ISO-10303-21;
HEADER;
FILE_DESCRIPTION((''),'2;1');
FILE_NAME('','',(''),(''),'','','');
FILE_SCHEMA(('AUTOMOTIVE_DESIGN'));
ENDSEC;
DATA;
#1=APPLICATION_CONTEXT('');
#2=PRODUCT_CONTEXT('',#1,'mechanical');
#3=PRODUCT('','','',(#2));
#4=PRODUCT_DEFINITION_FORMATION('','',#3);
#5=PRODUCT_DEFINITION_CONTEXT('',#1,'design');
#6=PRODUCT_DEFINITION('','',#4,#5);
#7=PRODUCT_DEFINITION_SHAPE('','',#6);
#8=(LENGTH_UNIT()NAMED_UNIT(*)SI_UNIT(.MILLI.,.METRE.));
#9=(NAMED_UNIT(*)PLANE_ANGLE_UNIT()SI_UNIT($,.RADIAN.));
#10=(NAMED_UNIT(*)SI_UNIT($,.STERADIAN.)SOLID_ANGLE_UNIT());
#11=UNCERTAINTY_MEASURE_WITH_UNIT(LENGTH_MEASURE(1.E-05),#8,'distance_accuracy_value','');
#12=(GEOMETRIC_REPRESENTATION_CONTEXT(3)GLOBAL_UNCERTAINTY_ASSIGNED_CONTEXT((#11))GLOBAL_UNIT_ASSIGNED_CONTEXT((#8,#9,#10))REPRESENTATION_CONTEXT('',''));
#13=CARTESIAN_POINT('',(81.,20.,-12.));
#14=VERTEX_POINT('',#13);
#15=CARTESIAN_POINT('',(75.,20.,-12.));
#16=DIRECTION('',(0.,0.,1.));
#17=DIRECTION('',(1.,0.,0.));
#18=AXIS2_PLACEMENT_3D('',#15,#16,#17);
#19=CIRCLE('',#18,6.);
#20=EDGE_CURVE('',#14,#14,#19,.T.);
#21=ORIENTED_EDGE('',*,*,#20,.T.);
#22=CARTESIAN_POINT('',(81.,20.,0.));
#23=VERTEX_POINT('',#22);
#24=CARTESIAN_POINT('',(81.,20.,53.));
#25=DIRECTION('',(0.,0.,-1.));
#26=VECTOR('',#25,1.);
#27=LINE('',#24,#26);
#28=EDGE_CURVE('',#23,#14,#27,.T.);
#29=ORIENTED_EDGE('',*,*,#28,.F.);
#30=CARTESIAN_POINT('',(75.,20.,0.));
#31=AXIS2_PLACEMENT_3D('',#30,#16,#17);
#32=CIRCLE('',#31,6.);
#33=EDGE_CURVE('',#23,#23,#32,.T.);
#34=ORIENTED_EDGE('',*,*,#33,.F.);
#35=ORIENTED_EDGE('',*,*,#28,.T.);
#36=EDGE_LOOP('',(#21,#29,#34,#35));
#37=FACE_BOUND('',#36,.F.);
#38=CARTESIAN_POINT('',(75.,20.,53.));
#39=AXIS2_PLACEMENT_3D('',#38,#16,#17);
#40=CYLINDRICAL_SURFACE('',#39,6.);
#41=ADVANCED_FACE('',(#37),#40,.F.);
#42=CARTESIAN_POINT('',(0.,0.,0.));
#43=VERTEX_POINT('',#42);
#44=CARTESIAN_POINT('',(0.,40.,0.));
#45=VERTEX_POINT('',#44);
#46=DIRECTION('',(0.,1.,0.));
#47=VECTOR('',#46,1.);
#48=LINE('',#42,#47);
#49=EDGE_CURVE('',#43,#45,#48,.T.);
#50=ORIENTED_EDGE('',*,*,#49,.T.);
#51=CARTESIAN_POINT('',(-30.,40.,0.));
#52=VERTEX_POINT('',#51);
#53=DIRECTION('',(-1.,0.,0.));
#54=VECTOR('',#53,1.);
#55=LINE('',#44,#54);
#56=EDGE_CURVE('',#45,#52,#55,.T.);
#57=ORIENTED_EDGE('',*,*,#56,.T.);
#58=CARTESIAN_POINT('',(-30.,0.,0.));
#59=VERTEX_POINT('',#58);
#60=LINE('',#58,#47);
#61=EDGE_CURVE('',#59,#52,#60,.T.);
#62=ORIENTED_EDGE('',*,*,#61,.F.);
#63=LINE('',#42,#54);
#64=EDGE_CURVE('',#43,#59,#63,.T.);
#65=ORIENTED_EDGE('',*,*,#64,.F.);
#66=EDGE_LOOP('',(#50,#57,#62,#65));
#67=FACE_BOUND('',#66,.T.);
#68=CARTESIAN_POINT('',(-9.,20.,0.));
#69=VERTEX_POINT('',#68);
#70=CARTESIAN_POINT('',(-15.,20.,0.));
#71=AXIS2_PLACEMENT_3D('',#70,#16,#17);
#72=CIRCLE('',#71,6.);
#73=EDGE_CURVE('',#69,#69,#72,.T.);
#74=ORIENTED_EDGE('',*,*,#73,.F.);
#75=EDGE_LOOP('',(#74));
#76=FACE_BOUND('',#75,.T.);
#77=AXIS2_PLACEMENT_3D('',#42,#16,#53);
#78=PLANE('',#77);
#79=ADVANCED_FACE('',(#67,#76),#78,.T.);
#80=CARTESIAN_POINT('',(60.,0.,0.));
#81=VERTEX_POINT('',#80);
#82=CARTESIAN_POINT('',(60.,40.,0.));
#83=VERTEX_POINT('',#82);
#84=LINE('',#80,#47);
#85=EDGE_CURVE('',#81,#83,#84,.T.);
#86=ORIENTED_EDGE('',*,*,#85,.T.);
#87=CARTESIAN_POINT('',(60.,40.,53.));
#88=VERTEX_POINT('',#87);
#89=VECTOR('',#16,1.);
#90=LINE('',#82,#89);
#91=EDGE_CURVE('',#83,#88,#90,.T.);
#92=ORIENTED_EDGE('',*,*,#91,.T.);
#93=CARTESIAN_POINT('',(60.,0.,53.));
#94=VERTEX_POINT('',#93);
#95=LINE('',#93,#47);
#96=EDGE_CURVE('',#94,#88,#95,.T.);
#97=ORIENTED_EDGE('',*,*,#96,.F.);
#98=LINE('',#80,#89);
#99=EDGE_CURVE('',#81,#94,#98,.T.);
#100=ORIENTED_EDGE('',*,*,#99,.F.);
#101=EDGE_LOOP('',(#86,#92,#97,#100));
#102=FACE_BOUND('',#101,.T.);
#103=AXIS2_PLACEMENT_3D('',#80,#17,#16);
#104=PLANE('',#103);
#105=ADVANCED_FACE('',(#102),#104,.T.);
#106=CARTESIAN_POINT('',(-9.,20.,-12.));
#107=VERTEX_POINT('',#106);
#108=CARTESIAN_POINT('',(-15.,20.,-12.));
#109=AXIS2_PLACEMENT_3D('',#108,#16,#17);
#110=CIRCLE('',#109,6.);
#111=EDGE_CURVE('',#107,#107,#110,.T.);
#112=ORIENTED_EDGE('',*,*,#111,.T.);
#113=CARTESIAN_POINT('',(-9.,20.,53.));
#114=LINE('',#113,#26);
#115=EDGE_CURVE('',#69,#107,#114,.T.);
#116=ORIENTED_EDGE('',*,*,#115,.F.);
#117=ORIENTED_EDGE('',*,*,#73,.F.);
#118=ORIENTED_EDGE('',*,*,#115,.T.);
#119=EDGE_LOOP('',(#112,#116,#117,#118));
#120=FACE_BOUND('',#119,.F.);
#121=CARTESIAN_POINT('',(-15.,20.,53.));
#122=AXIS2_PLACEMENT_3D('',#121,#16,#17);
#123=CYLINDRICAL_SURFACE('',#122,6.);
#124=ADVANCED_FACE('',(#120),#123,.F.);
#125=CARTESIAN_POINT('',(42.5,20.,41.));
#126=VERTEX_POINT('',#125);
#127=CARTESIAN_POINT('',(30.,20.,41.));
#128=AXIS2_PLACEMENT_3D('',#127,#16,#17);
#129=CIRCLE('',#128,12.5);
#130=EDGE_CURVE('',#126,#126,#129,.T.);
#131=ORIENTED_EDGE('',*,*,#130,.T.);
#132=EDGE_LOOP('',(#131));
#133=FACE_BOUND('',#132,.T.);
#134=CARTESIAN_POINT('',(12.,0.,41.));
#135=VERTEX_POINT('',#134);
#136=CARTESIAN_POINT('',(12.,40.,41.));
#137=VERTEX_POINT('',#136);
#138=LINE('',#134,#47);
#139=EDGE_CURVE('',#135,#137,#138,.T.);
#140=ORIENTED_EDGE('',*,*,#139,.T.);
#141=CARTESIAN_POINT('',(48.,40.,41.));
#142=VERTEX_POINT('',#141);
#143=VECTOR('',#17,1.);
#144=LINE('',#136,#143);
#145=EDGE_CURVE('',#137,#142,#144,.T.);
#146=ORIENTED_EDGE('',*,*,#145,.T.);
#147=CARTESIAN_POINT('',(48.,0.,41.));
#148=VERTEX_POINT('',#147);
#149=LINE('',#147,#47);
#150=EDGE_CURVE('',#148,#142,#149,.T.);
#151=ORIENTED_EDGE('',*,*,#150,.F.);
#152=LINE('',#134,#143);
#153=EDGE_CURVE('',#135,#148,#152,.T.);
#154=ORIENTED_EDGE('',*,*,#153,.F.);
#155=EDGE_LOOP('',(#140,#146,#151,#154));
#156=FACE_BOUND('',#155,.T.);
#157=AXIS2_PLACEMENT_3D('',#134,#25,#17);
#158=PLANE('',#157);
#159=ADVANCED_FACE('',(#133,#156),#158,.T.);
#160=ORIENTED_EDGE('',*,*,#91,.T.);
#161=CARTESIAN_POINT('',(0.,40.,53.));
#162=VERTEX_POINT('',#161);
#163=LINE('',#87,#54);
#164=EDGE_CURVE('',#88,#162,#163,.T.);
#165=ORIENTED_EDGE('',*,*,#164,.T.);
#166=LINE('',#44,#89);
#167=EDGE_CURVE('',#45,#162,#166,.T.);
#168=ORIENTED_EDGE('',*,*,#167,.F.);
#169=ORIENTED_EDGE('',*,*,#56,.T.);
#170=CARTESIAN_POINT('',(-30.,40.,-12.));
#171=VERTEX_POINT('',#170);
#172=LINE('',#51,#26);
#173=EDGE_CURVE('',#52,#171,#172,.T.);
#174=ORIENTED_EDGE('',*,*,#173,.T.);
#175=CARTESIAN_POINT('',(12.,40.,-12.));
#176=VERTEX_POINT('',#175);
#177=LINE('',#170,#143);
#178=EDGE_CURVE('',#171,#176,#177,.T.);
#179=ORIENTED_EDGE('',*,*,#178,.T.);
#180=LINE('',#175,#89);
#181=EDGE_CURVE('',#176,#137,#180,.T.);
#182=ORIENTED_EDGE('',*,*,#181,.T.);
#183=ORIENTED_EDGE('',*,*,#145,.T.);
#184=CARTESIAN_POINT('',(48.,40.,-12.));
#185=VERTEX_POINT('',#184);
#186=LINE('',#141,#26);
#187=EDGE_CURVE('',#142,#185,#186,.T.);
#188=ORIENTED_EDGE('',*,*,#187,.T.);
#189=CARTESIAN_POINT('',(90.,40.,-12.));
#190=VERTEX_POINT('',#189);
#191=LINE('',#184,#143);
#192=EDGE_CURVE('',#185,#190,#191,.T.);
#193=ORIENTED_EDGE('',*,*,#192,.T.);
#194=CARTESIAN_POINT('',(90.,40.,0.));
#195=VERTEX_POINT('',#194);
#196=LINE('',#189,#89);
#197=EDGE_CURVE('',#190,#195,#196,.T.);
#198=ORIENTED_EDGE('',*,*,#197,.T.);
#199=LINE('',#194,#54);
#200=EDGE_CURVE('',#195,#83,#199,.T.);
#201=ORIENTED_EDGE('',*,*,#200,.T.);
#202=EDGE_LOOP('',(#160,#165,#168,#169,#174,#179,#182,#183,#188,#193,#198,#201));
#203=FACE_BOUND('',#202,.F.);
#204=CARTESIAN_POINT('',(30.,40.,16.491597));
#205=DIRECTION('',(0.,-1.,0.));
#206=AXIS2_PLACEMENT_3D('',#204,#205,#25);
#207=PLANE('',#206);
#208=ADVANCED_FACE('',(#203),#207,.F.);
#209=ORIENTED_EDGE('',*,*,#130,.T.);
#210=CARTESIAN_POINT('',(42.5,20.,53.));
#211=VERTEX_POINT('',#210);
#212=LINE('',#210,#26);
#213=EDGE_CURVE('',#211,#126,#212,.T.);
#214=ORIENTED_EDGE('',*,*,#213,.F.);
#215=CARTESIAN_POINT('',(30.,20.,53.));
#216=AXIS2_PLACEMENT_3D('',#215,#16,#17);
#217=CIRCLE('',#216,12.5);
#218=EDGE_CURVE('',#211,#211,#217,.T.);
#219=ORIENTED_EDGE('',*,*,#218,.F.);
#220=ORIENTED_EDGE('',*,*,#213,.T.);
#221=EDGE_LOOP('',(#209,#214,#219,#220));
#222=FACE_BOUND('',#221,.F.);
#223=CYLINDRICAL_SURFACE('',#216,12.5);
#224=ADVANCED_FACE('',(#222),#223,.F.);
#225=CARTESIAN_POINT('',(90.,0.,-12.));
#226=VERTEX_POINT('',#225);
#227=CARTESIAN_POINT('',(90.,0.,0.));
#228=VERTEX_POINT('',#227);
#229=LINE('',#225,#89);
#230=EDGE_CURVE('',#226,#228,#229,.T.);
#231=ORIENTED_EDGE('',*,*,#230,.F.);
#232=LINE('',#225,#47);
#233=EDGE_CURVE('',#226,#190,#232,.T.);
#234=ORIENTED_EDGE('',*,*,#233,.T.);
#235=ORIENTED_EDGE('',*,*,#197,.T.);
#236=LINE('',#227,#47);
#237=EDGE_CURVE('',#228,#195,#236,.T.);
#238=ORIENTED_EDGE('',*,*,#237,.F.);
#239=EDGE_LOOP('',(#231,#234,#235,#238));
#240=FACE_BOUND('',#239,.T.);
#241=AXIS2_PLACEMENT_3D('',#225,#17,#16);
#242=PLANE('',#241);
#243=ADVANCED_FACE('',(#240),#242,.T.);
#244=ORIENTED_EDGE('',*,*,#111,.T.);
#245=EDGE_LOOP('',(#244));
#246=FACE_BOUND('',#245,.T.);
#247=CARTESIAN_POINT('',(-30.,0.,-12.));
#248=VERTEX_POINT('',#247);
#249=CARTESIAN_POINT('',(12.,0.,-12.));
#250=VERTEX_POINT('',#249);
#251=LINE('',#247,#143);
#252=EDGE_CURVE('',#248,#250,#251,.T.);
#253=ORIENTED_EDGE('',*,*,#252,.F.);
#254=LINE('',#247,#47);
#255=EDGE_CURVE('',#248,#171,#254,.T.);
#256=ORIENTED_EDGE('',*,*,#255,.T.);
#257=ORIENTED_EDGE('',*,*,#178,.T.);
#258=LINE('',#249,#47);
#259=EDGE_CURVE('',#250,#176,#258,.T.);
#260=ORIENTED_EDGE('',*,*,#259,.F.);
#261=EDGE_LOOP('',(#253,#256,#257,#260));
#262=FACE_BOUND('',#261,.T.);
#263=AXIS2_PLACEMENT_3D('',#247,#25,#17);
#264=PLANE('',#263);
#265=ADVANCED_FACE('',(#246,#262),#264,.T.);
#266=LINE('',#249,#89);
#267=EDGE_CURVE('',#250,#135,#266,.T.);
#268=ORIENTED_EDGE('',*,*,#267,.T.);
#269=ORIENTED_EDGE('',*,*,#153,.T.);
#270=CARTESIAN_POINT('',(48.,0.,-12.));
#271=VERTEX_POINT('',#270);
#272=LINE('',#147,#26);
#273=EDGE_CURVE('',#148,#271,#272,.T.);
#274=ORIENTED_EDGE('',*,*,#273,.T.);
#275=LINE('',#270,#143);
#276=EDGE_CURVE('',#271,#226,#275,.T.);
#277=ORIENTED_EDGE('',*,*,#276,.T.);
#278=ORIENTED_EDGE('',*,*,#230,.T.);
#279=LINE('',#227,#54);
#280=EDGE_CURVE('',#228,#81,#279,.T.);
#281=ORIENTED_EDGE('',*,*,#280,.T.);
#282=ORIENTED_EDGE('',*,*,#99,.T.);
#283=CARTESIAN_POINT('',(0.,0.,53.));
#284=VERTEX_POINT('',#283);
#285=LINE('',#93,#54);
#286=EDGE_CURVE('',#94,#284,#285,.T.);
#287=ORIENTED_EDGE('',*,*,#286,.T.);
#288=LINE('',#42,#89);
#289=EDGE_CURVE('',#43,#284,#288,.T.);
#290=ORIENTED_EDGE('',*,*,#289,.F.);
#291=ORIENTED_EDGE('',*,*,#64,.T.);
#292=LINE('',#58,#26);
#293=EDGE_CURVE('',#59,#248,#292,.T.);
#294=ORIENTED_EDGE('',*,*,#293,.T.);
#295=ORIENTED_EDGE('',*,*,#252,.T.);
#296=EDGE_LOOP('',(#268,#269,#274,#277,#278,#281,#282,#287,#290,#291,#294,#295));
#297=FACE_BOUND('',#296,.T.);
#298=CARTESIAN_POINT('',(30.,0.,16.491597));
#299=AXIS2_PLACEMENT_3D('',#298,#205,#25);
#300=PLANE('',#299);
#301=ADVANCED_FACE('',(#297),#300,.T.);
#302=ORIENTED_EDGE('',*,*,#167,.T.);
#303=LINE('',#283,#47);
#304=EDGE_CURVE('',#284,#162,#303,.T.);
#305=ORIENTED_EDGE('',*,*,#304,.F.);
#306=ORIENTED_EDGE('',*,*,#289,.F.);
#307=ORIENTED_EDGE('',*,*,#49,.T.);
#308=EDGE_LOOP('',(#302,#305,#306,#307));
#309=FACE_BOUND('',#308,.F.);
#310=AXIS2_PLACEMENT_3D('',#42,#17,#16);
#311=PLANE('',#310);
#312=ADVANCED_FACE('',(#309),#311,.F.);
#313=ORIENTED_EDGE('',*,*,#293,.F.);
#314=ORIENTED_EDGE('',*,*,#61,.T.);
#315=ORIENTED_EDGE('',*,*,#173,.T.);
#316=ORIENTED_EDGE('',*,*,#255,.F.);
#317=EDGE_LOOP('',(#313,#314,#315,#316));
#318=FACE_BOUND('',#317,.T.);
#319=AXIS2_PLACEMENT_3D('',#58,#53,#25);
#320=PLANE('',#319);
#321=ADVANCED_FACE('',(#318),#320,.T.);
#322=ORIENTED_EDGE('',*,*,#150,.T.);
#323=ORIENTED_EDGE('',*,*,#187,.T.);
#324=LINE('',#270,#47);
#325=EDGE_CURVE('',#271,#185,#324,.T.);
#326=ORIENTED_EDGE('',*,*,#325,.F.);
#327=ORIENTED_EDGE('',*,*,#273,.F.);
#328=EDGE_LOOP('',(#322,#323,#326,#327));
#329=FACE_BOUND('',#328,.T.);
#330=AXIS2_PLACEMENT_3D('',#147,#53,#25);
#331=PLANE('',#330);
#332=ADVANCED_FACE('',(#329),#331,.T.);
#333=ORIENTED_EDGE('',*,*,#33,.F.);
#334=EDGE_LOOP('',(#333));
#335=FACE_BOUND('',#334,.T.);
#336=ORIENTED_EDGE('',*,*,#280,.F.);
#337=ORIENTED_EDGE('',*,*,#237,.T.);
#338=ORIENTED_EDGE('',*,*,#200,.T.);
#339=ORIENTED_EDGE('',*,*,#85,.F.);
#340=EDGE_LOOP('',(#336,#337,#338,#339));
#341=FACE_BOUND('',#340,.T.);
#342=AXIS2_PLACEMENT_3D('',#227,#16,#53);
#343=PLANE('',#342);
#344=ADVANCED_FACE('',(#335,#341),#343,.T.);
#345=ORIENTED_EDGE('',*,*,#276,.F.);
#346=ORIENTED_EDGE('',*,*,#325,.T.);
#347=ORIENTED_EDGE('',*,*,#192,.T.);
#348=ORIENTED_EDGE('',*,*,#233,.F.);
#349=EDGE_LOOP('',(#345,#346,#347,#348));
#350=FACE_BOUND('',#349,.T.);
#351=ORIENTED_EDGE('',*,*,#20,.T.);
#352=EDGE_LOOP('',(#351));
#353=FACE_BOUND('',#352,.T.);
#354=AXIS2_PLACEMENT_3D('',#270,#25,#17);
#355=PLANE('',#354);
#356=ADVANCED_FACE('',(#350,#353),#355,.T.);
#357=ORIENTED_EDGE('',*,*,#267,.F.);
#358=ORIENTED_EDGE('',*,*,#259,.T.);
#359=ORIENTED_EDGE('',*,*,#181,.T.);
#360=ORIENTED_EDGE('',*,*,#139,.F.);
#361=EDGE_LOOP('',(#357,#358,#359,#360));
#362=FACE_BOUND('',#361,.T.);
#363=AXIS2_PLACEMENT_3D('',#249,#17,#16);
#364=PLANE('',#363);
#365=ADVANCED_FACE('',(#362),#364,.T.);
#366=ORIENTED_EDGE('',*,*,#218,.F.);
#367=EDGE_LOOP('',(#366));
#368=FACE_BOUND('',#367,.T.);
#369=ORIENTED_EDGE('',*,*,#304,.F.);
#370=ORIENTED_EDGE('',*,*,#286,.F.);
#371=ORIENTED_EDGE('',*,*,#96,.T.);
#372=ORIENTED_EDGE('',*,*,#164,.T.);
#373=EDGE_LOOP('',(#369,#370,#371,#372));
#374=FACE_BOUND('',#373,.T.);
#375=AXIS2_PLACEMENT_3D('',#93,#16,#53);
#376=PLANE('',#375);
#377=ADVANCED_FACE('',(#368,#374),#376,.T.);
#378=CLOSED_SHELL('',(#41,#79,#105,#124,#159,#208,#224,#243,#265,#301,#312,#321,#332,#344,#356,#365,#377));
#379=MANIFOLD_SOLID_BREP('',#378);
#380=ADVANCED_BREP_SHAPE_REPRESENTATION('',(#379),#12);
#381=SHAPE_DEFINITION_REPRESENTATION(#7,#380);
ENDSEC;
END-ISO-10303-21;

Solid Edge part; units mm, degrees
sketch "Sketch1" plane through (0, 0, 0) normal (0, -1, 0) x (1, 0, 0)
  line L0 (60, 53) -> (0, 53)
  line L1 (0, 0) -> (0, 53)
  line L2 (0, 0) -> (-30, 0)
  line L3 (-30, 0) -> (-30, -12)
  line L4 (-30, -12) -> (12, -12)
  line L5 (12, -12) -> (12, 41)
  line L6 (12, 41) -> (48, 41)
  line L7 (48, 41) -> (48, -12)
  line L8 (48, -12) -> (90, -12)
  line L9 (90, -12) -> (90, 0)
  line L10 (90, 0) -> (60, 0)
  line L11 (60, 0) -> (60, 53)
extrude "Protrusion1" add sketch "Sketch1" against normal blind 40
sketch "Sketch2" plane through (30, 20, 53) normal (0, 0, 1) x (1, 0, 0)
  circle A0 centre (-45, 0) radius 6
  circle A1 centre (45, 0) radius 6
  circle A2 centre (0, 0) radius 12.5
extrude "ExtrudedCutout_1" cut sketch "Sketch2" against normal blind 65
